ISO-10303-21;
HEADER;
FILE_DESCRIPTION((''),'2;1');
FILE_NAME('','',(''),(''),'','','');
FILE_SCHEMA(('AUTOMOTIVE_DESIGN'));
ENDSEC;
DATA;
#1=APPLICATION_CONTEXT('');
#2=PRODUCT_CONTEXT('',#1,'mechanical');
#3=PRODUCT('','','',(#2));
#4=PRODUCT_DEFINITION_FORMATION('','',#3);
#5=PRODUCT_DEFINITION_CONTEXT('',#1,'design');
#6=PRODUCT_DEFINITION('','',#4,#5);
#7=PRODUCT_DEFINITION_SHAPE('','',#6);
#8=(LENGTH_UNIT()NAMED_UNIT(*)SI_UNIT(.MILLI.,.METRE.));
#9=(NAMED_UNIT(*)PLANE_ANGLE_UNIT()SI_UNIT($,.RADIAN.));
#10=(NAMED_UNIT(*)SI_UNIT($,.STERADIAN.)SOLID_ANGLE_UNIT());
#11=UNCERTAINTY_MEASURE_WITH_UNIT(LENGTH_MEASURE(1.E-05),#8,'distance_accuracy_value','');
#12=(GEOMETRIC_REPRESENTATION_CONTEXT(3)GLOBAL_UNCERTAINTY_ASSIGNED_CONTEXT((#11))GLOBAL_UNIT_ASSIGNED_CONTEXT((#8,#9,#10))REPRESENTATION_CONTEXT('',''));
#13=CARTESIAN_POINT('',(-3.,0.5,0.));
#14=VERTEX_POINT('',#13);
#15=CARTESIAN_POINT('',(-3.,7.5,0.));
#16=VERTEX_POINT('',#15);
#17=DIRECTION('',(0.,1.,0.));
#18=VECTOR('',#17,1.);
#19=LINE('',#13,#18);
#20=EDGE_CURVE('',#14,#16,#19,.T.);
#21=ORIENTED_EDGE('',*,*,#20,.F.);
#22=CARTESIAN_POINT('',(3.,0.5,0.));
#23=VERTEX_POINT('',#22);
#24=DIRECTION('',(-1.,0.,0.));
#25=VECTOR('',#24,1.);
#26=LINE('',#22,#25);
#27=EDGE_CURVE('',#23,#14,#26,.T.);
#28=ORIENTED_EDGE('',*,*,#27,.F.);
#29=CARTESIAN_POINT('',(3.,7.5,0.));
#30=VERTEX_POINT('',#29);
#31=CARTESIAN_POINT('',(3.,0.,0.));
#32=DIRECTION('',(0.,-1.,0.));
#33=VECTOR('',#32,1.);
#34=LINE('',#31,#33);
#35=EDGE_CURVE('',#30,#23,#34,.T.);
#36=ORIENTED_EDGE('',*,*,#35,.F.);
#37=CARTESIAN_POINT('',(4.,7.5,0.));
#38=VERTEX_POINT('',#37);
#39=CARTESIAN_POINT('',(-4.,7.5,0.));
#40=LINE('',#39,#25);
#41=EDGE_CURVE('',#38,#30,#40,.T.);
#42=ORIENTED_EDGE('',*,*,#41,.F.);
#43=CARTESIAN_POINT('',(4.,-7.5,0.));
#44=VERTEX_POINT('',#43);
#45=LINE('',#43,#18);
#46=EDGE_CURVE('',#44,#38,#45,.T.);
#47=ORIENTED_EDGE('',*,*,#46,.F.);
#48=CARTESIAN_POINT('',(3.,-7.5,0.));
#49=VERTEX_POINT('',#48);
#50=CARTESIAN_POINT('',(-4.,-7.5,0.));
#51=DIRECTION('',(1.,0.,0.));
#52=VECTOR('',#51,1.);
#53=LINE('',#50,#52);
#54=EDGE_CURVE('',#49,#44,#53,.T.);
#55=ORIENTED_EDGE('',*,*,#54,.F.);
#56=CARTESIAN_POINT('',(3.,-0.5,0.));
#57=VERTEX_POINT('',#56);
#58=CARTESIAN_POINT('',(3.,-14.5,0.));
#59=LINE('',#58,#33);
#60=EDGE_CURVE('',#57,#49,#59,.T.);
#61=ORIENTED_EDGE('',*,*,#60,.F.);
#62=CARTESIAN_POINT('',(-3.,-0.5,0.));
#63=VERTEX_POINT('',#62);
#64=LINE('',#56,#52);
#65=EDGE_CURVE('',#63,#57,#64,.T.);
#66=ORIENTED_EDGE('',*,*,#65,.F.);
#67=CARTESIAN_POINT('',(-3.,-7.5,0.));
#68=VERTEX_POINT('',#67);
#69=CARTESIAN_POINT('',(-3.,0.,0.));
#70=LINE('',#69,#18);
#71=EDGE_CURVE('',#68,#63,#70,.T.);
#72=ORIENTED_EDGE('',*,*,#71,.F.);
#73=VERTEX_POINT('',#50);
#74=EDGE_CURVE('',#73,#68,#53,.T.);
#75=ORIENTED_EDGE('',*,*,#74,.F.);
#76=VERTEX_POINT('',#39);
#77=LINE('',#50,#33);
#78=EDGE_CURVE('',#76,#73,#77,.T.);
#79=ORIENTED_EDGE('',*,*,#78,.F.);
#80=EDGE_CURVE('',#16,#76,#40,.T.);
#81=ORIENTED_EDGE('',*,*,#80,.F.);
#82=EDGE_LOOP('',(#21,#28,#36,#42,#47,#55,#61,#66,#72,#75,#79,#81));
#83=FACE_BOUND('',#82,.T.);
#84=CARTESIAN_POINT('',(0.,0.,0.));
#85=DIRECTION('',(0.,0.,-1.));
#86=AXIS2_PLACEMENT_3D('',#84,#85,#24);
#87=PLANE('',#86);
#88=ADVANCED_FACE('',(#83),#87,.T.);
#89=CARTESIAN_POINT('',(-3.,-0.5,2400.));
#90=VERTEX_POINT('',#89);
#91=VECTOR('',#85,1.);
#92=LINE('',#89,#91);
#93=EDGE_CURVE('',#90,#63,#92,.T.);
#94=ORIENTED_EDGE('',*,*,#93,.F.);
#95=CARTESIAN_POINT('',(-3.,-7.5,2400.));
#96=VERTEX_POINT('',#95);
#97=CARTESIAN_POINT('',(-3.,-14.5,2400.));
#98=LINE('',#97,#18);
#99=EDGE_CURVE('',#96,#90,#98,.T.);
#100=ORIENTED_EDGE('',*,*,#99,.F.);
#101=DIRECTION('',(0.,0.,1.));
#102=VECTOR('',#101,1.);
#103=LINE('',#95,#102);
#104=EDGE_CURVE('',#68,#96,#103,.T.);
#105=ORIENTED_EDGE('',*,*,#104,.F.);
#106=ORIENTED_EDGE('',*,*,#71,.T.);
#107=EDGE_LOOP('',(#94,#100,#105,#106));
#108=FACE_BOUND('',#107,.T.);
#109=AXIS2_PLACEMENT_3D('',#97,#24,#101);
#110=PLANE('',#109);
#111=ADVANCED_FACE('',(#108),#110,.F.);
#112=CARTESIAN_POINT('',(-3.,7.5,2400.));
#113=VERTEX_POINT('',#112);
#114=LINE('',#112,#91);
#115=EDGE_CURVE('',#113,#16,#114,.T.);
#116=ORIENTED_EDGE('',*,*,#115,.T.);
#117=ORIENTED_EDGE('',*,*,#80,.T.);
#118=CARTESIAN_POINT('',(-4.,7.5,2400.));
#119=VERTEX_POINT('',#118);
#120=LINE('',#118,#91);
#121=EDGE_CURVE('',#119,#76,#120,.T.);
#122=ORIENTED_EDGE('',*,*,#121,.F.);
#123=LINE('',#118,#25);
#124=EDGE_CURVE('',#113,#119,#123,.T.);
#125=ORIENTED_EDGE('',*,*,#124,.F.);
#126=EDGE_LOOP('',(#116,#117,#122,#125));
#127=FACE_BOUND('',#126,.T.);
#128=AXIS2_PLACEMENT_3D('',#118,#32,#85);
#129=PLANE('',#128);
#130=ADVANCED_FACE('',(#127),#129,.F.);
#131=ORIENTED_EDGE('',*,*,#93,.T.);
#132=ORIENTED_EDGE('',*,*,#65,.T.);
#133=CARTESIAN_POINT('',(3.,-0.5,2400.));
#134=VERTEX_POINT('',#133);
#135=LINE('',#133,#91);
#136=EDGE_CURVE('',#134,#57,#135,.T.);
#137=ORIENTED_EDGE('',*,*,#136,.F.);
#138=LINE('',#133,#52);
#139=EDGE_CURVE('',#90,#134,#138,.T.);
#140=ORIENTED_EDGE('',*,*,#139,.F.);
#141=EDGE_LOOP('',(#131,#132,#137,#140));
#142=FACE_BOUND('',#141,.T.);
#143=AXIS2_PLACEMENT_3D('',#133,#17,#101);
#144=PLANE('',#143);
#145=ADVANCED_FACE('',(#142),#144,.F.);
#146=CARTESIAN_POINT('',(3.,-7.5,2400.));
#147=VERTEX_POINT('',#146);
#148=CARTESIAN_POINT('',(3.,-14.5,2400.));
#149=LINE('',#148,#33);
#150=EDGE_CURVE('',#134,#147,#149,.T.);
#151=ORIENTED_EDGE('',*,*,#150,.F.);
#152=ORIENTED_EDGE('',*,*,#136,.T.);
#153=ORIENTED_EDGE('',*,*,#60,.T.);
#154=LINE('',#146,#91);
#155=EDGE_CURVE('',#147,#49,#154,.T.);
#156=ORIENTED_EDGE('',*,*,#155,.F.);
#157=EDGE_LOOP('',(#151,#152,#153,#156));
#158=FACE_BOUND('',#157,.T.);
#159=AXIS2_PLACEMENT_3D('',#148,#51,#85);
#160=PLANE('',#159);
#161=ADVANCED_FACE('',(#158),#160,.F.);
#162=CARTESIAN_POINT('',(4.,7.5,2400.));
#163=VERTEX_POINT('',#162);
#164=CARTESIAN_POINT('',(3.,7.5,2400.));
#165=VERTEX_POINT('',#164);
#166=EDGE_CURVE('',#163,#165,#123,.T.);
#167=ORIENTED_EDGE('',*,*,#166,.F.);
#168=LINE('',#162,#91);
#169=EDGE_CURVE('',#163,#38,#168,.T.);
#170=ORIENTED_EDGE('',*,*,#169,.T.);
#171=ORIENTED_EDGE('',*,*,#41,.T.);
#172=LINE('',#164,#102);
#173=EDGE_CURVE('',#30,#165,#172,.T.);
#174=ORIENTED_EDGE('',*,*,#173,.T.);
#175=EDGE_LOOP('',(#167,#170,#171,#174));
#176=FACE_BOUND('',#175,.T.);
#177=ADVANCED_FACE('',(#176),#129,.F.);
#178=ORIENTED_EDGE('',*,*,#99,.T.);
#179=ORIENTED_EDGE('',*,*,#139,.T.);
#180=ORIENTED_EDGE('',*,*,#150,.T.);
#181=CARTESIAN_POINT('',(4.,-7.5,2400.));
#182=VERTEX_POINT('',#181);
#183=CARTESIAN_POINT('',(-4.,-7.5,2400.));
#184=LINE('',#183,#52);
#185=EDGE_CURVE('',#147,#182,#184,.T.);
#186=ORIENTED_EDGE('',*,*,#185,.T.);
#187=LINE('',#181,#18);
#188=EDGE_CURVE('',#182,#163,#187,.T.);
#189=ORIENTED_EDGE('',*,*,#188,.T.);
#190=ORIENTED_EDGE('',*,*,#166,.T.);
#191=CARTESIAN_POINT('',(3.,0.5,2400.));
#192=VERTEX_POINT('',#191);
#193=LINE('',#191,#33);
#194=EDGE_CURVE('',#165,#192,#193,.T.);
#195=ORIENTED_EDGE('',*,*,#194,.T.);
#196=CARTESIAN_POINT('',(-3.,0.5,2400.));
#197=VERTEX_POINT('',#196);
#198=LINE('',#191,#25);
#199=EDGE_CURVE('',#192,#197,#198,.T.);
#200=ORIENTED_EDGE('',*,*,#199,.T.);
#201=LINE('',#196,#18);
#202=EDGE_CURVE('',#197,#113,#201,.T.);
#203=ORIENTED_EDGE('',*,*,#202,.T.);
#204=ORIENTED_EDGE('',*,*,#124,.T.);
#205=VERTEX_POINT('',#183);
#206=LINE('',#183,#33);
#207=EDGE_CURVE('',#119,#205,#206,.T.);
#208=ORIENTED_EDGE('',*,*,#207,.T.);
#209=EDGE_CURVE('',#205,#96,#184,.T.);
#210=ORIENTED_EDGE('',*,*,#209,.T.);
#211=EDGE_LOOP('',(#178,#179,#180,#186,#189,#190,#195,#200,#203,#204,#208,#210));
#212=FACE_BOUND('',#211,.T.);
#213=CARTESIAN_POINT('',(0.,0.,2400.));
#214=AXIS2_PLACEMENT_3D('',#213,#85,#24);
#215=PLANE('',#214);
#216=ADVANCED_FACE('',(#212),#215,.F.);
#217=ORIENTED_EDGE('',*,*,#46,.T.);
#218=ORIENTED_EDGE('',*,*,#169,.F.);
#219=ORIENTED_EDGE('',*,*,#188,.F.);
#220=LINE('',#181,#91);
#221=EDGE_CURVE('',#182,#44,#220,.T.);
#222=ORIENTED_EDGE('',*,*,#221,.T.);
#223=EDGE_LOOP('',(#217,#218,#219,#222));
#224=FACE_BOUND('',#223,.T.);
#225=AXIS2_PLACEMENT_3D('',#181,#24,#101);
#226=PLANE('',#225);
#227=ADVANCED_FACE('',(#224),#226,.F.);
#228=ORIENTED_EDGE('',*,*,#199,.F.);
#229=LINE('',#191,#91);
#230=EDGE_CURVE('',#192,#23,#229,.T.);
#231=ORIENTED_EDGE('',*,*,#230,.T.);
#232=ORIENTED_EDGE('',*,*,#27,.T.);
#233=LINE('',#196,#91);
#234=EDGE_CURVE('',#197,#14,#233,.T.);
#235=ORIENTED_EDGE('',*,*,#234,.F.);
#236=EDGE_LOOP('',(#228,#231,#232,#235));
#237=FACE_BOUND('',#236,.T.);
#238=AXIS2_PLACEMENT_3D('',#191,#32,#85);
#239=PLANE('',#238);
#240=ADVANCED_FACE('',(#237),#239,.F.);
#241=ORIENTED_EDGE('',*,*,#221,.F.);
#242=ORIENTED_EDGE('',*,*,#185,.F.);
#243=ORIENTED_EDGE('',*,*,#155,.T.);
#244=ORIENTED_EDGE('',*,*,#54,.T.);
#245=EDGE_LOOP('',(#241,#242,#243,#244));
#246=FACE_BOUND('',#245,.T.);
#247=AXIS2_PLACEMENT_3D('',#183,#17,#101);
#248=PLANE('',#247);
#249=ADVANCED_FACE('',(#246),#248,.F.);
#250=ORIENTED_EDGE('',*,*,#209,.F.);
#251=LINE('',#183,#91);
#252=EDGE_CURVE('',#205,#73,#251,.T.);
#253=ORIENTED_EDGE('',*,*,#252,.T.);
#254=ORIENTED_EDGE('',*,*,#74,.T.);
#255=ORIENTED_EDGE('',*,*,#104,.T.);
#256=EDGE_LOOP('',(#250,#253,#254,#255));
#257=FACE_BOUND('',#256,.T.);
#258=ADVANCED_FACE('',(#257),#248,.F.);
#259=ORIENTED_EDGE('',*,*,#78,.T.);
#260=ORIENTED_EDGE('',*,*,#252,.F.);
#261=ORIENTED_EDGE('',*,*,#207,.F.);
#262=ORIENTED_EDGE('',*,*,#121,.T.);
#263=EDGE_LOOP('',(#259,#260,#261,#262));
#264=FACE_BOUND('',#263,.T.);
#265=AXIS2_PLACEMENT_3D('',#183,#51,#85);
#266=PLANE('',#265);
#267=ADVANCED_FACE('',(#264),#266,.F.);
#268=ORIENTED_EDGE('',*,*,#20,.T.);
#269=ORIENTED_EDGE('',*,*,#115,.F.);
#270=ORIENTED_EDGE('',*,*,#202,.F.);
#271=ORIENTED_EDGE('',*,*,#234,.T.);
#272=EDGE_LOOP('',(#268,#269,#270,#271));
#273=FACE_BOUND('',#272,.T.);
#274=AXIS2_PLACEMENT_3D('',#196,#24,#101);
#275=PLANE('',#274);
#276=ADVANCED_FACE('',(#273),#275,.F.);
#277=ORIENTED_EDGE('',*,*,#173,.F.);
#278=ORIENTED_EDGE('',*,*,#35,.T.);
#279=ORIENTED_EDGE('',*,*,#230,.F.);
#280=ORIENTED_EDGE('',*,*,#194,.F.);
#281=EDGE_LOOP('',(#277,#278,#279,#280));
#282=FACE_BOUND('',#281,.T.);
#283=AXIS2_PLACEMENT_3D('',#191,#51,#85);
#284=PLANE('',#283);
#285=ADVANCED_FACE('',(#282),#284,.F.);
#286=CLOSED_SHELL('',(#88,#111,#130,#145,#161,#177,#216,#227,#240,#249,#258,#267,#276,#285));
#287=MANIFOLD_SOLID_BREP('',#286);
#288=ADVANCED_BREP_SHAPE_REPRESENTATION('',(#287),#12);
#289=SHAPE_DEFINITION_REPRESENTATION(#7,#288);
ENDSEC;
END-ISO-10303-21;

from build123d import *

# Parameters (mm, degrees)
SKETCH_1_W          = 8
SKETCH_1_H          = 15
EXTRUDE_1_DEPTH     = 2400
SKETCH_2_W          = 6
SKETCH_2_H          = 14
CUT_EXTRUDE_1_DEPTH = 2400


with BuildPart() as part:
    # 草图1 → 凸台-拉伸1 (new body)
    with BuildSketch(Plane.XY):
        Rectangle(SKETCH_1_W, SKETCH_1_H)
    extrude(amount=EXTRUDE_1_DEPTH)

    # 草图2 → 切除-拉伸1 (cut)
    with BuildSketch(Plane(origin=(0, 0, 0), x_dir=(-1, 0, 0), z_dir=(0, 0, -1))):
        with Locations((0, -7.5)):
            Rectangle(SKETCH_2_W, SKETCH_2_H)
        with Locations((0, 7.5)):
            Rectangle(SKETCH_2_W, SKETCH_2_H)
    extrude(amount=-CUT_EXTRUDE_1_DEPTH, mode=Mode.SUBTRACT)


solid = part.part
